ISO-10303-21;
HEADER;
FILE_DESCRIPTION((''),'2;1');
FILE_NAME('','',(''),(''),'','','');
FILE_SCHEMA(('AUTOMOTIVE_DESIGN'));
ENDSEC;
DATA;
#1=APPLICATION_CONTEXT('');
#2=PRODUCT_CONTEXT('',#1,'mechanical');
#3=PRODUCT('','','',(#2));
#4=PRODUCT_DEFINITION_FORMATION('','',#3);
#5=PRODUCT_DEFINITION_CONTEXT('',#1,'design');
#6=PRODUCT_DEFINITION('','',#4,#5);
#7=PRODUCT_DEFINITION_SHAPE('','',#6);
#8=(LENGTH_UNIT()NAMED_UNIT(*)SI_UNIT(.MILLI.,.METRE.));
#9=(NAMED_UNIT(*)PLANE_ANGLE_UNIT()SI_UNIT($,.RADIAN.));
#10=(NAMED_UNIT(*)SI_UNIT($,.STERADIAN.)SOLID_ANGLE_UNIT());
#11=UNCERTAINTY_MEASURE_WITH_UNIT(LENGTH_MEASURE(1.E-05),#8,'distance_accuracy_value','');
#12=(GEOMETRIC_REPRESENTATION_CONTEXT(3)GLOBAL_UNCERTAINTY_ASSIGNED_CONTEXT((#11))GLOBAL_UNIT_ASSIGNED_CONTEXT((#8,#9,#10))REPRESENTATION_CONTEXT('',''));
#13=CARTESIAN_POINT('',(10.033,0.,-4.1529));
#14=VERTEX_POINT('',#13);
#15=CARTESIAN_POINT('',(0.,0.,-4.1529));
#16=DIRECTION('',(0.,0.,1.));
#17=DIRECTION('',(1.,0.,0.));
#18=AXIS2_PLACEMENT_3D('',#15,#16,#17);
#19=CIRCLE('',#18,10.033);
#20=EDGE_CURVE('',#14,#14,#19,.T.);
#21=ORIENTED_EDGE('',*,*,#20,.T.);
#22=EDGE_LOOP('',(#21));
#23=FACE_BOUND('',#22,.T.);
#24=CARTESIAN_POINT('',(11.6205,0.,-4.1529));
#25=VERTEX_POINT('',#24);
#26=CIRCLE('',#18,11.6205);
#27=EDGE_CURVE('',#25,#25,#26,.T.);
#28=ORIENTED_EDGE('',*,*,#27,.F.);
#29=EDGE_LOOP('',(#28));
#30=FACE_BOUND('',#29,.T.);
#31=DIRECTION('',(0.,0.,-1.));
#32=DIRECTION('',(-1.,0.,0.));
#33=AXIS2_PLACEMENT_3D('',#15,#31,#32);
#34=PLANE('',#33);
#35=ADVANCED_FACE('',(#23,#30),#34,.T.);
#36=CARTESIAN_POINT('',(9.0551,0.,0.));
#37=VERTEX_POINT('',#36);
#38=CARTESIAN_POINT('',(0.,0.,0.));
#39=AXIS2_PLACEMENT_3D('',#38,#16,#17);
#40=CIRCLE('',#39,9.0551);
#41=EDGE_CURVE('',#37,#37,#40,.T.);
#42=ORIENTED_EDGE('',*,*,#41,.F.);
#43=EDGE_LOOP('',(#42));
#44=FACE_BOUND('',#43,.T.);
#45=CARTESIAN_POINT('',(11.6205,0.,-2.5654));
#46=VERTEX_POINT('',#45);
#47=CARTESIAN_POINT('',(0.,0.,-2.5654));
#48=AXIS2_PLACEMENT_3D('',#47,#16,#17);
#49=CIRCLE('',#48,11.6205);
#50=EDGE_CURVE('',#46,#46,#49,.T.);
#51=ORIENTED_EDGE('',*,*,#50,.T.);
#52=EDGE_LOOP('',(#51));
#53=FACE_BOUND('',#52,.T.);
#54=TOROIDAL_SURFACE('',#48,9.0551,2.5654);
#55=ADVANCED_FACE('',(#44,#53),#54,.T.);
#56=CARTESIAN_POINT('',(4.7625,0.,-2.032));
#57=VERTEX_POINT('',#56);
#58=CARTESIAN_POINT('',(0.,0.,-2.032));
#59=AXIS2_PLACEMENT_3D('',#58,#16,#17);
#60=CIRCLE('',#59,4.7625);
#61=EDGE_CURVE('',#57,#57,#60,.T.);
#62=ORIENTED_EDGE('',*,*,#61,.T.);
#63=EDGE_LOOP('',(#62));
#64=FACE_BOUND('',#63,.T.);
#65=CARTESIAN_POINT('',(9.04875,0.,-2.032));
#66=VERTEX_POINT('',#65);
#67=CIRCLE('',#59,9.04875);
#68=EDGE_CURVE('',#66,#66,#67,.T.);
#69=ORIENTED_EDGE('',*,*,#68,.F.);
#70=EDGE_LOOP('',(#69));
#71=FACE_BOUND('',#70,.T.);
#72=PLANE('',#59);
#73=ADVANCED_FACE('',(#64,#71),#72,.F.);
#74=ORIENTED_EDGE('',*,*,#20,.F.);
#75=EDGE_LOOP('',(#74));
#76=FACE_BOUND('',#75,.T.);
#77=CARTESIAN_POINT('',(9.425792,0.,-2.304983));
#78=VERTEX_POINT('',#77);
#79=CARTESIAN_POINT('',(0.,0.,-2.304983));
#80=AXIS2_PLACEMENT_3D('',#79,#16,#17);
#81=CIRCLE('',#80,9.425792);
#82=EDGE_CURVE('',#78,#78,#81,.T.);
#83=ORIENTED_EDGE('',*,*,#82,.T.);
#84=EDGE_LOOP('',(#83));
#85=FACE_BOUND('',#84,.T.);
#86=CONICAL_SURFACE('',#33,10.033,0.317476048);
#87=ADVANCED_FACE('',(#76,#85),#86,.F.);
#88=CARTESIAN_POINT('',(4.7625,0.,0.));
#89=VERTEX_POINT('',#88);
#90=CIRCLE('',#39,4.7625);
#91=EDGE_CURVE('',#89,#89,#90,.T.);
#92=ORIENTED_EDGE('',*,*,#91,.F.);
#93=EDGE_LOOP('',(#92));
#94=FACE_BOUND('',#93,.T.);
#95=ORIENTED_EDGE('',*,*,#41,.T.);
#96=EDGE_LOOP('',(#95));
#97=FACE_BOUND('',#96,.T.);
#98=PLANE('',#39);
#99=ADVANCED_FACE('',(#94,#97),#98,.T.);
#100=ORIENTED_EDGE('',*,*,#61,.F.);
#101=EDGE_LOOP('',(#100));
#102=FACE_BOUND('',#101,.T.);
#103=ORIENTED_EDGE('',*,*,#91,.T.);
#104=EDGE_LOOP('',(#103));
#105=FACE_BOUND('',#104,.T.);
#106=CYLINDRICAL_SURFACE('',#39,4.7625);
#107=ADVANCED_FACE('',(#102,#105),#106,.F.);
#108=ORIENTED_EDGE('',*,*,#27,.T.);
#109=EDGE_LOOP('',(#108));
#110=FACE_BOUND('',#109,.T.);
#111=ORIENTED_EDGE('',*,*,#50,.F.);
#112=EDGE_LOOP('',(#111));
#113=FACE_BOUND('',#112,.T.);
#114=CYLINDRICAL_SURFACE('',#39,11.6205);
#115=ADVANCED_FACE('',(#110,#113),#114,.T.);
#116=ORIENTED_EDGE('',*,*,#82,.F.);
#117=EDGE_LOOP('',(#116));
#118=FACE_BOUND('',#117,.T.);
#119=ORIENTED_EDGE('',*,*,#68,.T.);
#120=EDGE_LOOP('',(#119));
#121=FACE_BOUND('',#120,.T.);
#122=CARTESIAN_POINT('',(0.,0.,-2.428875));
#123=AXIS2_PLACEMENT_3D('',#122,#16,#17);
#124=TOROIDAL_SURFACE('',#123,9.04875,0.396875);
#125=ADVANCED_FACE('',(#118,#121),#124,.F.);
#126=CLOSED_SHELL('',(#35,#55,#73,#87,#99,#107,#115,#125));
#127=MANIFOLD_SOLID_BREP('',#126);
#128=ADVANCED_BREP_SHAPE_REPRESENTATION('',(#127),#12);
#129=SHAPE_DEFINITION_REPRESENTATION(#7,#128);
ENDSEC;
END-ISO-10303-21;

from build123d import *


with BuildPart() as part:
    # Sketch1 → Revolve1 (revolve)
    with BuildSketch(Plane(origin=(0, 0, 0), x_dir=(1, 0, 0), z_dir=(0, 1, 0))):
        with BuildLine():
            ThreePointArc((9.04875, 2.032), (9.281494477, 2.107409957), (9.425791706, 2.304982636))
            Line((9.425791706, 2.304982636), (10.033, 4.1529))
            Line((10.033, 4.1529), (11.6205, 4.1529))
            Line((11.6205, 4.1529), (11.6205, 2.5654))
            ThreePointArc((11.6205, 2.5654), (10.869111736, 0.751388264), (9.0551, 0))
            Line((9.0551, 0), (4.7625, 0))
            Line((4.7625, 0), (4.7625, 2.032))
            Line((4.7625, 2.032), (9.04875, 2.032))
        make_face()
    revolve(axis=Axis((0, 0, 0), (0, 0, -1)))


solid = part.part
